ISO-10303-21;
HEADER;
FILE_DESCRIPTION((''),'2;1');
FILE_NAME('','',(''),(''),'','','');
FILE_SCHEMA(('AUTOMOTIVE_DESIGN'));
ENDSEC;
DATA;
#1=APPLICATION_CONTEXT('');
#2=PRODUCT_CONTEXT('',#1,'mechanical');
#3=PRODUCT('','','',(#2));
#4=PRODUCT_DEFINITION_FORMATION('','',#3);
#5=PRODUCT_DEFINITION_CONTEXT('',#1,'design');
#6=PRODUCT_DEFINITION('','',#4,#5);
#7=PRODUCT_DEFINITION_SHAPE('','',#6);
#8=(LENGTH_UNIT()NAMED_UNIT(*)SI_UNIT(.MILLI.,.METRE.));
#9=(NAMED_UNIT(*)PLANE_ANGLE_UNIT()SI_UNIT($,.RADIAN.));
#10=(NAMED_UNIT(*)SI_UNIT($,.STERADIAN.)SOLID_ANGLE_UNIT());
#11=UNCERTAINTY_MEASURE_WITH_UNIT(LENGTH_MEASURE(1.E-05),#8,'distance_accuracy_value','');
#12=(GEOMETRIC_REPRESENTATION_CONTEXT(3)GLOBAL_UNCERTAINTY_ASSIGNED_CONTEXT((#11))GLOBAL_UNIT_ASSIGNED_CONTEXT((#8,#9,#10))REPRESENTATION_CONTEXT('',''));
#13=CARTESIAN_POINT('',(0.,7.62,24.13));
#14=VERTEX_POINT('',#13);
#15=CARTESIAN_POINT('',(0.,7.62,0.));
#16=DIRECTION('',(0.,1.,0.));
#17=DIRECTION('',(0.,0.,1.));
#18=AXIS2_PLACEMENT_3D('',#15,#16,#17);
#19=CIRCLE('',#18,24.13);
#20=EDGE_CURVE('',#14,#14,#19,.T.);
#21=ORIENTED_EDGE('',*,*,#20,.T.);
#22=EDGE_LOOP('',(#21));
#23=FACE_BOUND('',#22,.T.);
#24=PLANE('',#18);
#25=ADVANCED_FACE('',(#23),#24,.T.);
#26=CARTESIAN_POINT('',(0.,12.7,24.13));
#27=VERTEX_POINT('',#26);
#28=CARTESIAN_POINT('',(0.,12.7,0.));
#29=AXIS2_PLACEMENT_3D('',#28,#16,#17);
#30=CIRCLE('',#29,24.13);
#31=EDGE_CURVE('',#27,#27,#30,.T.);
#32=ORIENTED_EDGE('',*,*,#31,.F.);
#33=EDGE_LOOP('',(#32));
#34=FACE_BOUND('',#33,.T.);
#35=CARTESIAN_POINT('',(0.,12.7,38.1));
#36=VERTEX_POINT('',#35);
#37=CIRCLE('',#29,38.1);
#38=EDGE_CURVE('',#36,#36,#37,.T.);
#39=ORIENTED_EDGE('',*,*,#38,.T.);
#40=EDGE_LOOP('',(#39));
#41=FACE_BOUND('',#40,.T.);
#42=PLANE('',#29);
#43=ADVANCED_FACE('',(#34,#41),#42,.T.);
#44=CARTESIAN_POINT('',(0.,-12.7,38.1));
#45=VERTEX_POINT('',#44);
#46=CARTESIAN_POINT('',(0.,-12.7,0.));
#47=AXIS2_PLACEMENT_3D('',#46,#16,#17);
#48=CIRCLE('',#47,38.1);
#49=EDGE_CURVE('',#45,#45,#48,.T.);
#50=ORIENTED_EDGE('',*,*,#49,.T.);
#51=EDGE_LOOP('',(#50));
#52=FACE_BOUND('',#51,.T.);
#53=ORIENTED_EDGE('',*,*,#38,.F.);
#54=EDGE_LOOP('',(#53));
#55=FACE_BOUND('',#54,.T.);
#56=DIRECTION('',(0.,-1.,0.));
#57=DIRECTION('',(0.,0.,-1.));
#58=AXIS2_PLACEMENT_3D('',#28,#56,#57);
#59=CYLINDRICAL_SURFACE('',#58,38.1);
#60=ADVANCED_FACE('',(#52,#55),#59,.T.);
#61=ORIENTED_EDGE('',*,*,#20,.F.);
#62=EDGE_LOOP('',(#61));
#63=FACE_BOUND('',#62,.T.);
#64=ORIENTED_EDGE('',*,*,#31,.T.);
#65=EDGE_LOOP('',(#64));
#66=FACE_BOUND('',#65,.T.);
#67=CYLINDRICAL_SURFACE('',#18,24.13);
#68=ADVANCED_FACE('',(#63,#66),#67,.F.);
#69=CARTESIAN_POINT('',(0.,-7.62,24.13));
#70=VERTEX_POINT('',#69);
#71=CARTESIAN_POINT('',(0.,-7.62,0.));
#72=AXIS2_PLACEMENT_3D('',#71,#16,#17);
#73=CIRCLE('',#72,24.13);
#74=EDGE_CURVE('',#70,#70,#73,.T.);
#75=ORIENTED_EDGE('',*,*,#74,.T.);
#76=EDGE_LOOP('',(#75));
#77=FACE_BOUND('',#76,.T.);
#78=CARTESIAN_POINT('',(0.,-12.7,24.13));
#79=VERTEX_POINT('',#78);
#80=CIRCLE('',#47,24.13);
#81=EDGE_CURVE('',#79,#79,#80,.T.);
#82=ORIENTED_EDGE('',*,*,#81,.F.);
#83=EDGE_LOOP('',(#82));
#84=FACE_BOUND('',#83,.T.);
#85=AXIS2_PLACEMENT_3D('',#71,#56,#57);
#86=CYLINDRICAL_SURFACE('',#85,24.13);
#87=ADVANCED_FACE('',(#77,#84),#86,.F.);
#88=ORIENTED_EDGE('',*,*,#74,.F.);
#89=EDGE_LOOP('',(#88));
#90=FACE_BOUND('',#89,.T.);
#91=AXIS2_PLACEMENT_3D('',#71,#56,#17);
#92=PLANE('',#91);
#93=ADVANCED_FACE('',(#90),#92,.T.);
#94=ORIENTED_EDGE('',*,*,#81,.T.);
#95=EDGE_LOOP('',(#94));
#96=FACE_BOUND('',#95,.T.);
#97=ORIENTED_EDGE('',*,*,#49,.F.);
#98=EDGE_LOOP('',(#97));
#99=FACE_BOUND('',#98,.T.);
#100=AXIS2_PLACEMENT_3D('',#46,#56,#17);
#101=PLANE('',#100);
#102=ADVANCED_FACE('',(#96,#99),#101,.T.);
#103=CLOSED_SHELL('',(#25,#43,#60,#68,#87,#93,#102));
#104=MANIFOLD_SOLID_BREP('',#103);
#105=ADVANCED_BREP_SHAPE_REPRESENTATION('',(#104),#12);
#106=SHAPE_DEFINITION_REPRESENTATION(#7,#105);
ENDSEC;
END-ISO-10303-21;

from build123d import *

# Parameters (mm, degrees)
SKETCH1_R           = 38.1
BOSS_EXTRUDE1_DEPTH = 12.7
SKETCH2_R           = 24.13
CUT_EXTRUDE1_DEPTH  = 5.08


with BuildPart() as part:
    # Sketch1 → Boss-Extrude1 (new body)
    with BuildSketch(Plane(origin=(0, 0, 0), x_dir=(1, 0, 0), z_dir=(0, 1, 0))):
        with Locations(Location((0, 0, 0), (0, 0, 270))):
            Circle(SKETCH1_R)
    boss_extrude1 = extrude(amount=BOSS_EXTRUDE1_DEPTH)

    # Sketch2 → Cut-Extrude1 (cut)
    with BuildSketch(Plane(origin=(0, 12.7, 0), x_dir=(1, 0, 0), z_dir=(0, 1, 0))):
        with Locations(Location((0, 0, 0), (0, 0, 270))):
            Circle(SKETCH2_R)
    cut_extrude1 = extrude(amount=-CUT_EXTRUDE1_DEPTH, mode=Mode.SUBTRACT)

    # Mirror1: Boss-Extrude1, Cut-Extrude1 across plane
    add(boss_extrude1.mirror(Plane.ZX))
    add(cut_extrude1.mirror(Plane.ZX), mode=Mode.SUBTRACT)


solid = part.part
